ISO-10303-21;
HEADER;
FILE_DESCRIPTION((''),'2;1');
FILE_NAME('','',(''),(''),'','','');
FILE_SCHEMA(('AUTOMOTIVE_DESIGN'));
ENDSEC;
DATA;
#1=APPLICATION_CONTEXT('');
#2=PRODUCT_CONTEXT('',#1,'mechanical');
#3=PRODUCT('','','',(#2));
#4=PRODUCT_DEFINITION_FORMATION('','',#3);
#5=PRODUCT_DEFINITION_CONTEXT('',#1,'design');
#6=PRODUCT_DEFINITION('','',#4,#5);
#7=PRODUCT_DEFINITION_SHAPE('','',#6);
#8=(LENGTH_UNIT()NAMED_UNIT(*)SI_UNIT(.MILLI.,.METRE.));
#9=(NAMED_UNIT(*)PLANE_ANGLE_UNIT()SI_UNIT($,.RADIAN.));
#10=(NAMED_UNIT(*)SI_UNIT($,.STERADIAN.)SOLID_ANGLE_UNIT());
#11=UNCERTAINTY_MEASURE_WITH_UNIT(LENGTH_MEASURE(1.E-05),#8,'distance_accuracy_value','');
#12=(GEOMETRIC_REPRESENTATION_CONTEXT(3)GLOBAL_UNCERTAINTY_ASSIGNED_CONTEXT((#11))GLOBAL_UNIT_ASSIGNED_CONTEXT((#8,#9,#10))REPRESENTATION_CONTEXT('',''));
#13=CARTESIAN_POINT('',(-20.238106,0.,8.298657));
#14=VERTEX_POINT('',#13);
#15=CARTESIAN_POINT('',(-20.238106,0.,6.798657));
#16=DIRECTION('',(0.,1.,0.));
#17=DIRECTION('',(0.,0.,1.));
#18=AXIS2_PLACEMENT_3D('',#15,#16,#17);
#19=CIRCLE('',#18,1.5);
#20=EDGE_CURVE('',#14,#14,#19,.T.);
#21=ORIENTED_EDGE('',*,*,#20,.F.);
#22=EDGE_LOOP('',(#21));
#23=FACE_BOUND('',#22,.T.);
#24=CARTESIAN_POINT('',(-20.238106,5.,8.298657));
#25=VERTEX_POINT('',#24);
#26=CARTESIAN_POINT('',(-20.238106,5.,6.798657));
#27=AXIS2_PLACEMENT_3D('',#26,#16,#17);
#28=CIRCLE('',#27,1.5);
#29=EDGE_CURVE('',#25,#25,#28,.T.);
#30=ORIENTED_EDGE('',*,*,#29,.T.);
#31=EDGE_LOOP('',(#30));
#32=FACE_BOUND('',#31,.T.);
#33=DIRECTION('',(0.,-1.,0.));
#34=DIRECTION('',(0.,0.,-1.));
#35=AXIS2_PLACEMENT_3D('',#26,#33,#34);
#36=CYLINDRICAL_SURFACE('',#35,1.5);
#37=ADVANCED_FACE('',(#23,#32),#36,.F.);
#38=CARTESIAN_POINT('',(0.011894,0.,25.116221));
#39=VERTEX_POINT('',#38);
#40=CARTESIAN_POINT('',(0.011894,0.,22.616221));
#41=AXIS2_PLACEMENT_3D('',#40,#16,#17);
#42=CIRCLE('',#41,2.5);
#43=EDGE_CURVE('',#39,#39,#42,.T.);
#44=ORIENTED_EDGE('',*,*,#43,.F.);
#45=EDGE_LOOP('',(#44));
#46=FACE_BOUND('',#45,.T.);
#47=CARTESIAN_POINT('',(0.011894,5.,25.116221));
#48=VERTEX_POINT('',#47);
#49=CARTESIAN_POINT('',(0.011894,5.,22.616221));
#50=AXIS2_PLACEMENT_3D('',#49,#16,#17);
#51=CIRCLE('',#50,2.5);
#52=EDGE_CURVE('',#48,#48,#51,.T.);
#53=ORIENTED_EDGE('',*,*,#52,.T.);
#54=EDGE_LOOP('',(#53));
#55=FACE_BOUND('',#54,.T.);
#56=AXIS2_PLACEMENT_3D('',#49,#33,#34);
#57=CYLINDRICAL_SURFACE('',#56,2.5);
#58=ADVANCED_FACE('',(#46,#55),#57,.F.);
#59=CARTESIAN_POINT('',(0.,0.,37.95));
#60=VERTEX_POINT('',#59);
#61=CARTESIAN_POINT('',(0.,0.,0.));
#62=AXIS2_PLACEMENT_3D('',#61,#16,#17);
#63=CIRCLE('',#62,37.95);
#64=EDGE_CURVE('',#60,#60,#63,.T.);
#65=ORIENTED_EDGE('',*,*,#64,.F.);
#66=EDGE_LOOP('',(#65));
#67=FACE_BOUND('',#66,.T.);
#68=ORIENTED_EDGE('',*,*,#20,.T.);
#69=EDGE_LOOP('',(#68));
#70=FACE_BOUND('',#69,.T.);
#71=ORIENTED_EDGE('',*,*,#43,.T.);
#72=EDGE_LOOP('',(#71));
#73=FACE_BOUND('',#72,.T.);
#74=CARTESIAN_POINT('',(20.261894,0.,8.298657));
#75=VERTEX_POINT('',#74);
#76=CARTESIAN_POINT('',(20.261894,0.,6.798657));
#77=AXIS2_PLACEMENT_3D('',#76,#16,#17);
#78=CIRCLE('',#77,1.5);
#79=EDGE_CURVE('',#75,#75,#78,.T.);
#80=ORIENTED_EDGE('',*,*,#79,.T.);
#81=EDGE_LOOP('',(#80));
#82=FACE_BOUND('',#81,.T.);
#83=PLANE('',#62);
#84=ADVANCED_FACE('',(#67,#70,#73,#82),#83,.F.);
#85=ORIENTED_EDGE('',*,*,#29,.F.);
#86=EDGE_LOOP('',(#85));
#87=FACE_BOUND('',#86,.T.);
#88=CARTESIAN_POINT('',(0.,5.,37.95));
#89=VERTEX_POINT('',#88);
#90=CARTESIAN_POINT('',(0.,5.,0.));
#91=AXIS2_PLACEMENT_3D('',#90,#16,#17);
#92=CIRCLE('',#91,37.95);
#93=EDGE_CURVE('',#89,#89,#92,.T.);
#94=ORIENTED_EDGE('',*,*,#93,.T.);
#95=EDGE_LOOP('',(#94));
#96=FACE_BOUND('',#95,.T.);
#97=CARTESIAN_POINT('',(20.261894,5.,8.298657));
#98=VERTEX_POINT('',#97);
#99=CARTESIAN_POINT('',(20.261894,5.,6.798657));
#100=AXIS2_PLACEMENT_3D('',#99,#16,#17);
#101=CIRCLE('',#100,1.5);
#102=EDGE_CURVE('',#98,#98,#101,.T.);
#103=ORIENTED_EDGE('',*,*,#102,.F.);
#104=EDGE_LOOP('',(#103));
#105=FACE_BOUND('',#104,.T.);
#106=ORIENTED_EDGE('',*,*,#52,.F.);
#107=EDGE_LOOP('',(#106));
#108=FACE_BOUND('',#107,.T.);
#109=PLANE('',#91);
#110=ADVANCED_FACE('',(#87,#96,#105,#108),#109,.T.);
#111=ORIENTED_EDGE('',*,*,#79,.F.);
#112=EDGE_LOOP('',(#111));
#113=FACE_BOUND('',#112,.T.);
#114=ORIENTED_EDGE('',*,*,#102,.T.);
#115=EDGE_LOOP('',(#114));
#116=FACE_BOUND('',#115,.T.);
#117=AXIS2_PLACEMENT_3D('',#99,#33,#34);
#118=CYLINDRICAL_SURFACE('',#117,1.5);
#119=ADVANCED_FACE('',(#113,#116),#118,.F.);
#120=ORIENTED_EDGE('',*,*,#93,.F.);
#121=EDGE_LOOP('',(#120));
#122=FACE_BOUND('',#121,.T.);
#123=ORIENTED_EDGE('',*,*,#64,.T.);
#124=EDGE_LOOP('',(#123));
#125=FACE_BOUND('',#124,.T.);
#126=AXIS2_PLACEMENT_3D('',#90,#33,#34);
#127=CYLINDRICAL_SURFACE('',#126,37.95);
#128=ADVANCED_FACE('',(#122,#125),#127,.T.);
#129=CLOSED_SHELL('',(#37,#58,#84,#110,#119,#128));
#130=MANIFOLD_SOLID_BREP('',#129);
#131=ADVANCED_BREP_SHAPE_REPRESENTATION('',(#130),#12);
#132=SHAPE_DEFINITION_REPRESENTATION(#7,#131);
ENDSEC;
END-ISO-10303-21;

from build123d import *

# Parameters (mm, degrees)
SKETCH1_R           = 37.95
SKETCH1_R_2         = 1.5
SKETCH1_R_3         = 2.5
BOSS_EXTRUDE1_DEPTH = 5


with BuildPart() as part:
    # Sketch1 → Boss-Extrude1 (new body)
    with BuildSketch(Plane(origin=(0, 0, 0), x_dir=(1, 0, 0), z_dir=(0, 1, 0))):
        with Locations(Location((0, 0, 0), (0, 0, 270))):
            Circle(SKETCH1_R)
        with Locations(Location((-20.238106424, -6.798656962, 0), (0, 0, 270))):
            Circle(SKETCH1_R_2, mode=Mode.SUBTRACT)
        with Locations(Location((20.261893576, -6.798656962, 0), (0, 0, 270))):
            Circle(SKETCH1_R_2, mode=Mode.SUBTRACT)
        with Locations(Location((0.011893576, -22.616220732, 0), (0, 0, 270))):
            Circle(SKETCH1_R_3, mode=Mode.SUBTRACT)
    extrude(amount=BOSS_EXTRUDE1_DEPTH)


solid = part.part
